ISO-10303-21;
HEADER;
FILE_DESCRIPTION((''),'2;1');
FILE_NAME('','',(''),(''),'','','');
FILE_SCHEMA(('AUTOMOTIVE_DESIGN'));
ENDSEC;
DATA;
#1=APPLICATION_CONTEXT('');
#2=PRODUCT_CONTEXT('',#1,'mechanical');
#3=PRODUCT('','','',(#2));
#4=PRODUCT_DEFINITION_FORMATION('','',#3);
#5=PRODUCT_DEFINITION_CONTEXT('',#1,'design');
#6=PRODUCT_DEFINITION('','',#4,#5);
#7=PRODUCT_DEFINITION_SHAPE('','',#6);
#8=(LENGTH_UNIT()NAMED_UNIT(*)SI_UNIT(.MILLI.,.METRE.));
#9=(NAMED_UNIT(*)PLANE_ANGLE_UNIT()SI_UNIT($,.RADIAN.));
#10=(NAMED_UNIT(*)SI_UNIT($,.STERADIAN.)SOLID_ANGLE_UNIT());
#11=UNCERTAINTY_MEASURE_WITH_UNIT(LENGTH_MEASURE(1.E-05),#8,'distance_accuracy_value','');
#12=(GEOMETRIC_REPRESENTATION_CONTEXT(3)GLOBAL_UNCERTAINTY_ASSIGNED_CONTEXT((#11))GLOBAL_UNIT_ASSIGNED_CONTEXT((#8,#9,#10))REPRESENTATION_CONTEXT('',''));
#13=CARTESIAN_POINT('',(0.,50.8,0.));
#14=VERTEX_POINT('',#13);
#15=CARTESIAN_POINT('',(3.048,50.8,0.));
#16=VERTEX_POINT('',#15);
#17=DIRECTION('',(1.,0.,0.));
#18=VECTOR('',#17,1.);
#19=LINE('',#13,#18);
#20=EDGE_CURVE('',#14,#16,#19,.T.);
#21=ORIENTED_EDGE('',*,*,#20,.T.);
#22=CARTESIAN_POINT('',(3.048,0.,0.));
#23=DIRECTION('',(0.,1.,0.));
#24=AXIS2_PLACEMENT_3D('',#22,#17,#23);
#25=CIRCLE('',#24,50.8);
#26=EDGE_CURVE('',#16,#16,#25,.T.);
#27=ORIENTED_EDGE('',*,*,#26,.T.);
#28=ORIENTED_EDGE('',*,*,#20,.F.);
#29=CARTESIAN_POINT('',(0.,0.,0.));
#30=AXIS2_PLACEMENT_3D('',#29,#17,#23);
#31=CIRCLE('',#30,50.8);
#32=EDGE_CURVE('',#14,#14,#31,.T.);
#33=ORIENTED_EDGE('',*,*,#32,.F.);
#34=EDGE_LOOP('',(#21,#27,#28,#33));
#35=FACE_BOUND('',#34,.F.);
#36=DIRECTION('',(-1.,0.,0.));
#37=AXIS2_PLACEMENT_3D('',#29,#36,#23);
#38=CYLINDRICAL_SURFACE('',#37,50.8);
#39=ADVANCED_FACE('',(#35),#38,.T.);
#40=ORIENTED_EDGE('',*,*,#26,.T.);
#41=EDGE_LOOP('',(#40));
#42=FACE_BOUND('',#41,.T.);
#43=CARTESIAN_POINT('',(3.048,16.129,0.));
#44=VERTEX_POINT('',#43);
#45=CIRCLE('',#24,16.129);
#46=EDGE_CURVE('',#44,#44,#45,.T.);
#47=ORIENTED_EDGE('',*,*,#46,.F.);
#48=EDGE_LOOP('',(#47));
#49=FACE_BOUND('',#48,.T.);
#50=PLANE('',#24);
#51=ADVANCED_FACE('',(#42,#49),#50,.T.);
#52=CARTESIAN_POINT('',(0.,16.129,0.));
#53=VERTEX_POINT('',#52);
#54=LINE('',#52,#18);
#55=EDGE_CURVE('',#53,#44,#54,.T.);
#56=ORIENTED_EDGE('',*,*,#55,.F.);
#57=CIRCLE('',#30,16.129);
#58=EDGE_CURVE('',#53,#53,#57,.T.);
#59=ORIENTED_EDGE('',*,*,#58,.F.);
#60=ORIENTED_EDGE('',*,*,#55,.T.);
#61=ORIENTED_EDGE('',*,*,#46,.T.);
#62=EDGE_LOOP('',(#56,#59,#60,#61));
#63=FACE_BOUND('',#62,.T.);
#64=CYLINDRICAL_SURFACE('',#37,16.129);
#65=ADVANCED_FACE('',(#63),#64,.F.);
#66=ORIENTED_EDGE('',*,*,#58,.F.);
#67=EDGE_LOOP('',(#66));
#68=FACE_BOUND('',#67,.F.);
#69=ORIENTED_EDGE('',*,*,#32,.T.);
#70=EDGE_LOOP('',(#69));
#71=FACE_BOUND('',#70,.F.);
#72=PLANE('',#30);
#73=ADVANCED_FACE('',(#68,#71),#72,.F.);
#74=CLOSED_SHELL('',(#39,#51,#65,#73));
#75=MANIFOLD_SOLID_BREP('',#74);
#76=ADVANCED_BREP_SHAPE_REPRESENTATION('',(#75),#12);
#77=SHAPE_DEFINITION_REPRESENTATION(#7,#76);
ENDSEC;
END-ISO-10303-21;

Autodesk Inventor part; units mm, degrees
ref_plane "YZ Plane" through (0, 0, 0) normal (1, 0, 0) x (0, 1, 0)
ref_plane "XZ Plane" through (0, 0, 0) normal (0, 1, 0) x (-1, 0, 0)
ref_plane "XY Plane" through (0, 0, 0) normal (0, 0, 1) x (1, 0, 0)
sketch "Sketch1" plane through (0, 0, 0) normal (1, 0, 0) x (0, 1, 0)
  circle A0 centre (0, 0) radius 50.8
  circle A1 centre (0, 0) radius 16.129
  dimension "d0" = 101.6
  dimension "d1" = 32.258
extrude "Extrusion1" add sketch "Sketch1" along normal blind 3.048
equation "\"BendRadius\" = Thickness"
equation "\"BendReliefWidth\" = Thickness"
equation "\"BendReliefDepth\" = 0.5 * Thickness"
equation "\"CornerReliefSize\" = 4 * Thickness"
equation "\"MinimumRemnant\" = 2 * Thickness"
equation "\"TransitionRadius\" = BendRadius"
equation "\"JacobiRadiusSize\" = BendRadius"
equation "\"GapSize\" = Thickness"
equation "\"Thickness\" = 3.048"
properties part number "Teflon_spacer_v_1" material "Steel, Chrome Plated"
